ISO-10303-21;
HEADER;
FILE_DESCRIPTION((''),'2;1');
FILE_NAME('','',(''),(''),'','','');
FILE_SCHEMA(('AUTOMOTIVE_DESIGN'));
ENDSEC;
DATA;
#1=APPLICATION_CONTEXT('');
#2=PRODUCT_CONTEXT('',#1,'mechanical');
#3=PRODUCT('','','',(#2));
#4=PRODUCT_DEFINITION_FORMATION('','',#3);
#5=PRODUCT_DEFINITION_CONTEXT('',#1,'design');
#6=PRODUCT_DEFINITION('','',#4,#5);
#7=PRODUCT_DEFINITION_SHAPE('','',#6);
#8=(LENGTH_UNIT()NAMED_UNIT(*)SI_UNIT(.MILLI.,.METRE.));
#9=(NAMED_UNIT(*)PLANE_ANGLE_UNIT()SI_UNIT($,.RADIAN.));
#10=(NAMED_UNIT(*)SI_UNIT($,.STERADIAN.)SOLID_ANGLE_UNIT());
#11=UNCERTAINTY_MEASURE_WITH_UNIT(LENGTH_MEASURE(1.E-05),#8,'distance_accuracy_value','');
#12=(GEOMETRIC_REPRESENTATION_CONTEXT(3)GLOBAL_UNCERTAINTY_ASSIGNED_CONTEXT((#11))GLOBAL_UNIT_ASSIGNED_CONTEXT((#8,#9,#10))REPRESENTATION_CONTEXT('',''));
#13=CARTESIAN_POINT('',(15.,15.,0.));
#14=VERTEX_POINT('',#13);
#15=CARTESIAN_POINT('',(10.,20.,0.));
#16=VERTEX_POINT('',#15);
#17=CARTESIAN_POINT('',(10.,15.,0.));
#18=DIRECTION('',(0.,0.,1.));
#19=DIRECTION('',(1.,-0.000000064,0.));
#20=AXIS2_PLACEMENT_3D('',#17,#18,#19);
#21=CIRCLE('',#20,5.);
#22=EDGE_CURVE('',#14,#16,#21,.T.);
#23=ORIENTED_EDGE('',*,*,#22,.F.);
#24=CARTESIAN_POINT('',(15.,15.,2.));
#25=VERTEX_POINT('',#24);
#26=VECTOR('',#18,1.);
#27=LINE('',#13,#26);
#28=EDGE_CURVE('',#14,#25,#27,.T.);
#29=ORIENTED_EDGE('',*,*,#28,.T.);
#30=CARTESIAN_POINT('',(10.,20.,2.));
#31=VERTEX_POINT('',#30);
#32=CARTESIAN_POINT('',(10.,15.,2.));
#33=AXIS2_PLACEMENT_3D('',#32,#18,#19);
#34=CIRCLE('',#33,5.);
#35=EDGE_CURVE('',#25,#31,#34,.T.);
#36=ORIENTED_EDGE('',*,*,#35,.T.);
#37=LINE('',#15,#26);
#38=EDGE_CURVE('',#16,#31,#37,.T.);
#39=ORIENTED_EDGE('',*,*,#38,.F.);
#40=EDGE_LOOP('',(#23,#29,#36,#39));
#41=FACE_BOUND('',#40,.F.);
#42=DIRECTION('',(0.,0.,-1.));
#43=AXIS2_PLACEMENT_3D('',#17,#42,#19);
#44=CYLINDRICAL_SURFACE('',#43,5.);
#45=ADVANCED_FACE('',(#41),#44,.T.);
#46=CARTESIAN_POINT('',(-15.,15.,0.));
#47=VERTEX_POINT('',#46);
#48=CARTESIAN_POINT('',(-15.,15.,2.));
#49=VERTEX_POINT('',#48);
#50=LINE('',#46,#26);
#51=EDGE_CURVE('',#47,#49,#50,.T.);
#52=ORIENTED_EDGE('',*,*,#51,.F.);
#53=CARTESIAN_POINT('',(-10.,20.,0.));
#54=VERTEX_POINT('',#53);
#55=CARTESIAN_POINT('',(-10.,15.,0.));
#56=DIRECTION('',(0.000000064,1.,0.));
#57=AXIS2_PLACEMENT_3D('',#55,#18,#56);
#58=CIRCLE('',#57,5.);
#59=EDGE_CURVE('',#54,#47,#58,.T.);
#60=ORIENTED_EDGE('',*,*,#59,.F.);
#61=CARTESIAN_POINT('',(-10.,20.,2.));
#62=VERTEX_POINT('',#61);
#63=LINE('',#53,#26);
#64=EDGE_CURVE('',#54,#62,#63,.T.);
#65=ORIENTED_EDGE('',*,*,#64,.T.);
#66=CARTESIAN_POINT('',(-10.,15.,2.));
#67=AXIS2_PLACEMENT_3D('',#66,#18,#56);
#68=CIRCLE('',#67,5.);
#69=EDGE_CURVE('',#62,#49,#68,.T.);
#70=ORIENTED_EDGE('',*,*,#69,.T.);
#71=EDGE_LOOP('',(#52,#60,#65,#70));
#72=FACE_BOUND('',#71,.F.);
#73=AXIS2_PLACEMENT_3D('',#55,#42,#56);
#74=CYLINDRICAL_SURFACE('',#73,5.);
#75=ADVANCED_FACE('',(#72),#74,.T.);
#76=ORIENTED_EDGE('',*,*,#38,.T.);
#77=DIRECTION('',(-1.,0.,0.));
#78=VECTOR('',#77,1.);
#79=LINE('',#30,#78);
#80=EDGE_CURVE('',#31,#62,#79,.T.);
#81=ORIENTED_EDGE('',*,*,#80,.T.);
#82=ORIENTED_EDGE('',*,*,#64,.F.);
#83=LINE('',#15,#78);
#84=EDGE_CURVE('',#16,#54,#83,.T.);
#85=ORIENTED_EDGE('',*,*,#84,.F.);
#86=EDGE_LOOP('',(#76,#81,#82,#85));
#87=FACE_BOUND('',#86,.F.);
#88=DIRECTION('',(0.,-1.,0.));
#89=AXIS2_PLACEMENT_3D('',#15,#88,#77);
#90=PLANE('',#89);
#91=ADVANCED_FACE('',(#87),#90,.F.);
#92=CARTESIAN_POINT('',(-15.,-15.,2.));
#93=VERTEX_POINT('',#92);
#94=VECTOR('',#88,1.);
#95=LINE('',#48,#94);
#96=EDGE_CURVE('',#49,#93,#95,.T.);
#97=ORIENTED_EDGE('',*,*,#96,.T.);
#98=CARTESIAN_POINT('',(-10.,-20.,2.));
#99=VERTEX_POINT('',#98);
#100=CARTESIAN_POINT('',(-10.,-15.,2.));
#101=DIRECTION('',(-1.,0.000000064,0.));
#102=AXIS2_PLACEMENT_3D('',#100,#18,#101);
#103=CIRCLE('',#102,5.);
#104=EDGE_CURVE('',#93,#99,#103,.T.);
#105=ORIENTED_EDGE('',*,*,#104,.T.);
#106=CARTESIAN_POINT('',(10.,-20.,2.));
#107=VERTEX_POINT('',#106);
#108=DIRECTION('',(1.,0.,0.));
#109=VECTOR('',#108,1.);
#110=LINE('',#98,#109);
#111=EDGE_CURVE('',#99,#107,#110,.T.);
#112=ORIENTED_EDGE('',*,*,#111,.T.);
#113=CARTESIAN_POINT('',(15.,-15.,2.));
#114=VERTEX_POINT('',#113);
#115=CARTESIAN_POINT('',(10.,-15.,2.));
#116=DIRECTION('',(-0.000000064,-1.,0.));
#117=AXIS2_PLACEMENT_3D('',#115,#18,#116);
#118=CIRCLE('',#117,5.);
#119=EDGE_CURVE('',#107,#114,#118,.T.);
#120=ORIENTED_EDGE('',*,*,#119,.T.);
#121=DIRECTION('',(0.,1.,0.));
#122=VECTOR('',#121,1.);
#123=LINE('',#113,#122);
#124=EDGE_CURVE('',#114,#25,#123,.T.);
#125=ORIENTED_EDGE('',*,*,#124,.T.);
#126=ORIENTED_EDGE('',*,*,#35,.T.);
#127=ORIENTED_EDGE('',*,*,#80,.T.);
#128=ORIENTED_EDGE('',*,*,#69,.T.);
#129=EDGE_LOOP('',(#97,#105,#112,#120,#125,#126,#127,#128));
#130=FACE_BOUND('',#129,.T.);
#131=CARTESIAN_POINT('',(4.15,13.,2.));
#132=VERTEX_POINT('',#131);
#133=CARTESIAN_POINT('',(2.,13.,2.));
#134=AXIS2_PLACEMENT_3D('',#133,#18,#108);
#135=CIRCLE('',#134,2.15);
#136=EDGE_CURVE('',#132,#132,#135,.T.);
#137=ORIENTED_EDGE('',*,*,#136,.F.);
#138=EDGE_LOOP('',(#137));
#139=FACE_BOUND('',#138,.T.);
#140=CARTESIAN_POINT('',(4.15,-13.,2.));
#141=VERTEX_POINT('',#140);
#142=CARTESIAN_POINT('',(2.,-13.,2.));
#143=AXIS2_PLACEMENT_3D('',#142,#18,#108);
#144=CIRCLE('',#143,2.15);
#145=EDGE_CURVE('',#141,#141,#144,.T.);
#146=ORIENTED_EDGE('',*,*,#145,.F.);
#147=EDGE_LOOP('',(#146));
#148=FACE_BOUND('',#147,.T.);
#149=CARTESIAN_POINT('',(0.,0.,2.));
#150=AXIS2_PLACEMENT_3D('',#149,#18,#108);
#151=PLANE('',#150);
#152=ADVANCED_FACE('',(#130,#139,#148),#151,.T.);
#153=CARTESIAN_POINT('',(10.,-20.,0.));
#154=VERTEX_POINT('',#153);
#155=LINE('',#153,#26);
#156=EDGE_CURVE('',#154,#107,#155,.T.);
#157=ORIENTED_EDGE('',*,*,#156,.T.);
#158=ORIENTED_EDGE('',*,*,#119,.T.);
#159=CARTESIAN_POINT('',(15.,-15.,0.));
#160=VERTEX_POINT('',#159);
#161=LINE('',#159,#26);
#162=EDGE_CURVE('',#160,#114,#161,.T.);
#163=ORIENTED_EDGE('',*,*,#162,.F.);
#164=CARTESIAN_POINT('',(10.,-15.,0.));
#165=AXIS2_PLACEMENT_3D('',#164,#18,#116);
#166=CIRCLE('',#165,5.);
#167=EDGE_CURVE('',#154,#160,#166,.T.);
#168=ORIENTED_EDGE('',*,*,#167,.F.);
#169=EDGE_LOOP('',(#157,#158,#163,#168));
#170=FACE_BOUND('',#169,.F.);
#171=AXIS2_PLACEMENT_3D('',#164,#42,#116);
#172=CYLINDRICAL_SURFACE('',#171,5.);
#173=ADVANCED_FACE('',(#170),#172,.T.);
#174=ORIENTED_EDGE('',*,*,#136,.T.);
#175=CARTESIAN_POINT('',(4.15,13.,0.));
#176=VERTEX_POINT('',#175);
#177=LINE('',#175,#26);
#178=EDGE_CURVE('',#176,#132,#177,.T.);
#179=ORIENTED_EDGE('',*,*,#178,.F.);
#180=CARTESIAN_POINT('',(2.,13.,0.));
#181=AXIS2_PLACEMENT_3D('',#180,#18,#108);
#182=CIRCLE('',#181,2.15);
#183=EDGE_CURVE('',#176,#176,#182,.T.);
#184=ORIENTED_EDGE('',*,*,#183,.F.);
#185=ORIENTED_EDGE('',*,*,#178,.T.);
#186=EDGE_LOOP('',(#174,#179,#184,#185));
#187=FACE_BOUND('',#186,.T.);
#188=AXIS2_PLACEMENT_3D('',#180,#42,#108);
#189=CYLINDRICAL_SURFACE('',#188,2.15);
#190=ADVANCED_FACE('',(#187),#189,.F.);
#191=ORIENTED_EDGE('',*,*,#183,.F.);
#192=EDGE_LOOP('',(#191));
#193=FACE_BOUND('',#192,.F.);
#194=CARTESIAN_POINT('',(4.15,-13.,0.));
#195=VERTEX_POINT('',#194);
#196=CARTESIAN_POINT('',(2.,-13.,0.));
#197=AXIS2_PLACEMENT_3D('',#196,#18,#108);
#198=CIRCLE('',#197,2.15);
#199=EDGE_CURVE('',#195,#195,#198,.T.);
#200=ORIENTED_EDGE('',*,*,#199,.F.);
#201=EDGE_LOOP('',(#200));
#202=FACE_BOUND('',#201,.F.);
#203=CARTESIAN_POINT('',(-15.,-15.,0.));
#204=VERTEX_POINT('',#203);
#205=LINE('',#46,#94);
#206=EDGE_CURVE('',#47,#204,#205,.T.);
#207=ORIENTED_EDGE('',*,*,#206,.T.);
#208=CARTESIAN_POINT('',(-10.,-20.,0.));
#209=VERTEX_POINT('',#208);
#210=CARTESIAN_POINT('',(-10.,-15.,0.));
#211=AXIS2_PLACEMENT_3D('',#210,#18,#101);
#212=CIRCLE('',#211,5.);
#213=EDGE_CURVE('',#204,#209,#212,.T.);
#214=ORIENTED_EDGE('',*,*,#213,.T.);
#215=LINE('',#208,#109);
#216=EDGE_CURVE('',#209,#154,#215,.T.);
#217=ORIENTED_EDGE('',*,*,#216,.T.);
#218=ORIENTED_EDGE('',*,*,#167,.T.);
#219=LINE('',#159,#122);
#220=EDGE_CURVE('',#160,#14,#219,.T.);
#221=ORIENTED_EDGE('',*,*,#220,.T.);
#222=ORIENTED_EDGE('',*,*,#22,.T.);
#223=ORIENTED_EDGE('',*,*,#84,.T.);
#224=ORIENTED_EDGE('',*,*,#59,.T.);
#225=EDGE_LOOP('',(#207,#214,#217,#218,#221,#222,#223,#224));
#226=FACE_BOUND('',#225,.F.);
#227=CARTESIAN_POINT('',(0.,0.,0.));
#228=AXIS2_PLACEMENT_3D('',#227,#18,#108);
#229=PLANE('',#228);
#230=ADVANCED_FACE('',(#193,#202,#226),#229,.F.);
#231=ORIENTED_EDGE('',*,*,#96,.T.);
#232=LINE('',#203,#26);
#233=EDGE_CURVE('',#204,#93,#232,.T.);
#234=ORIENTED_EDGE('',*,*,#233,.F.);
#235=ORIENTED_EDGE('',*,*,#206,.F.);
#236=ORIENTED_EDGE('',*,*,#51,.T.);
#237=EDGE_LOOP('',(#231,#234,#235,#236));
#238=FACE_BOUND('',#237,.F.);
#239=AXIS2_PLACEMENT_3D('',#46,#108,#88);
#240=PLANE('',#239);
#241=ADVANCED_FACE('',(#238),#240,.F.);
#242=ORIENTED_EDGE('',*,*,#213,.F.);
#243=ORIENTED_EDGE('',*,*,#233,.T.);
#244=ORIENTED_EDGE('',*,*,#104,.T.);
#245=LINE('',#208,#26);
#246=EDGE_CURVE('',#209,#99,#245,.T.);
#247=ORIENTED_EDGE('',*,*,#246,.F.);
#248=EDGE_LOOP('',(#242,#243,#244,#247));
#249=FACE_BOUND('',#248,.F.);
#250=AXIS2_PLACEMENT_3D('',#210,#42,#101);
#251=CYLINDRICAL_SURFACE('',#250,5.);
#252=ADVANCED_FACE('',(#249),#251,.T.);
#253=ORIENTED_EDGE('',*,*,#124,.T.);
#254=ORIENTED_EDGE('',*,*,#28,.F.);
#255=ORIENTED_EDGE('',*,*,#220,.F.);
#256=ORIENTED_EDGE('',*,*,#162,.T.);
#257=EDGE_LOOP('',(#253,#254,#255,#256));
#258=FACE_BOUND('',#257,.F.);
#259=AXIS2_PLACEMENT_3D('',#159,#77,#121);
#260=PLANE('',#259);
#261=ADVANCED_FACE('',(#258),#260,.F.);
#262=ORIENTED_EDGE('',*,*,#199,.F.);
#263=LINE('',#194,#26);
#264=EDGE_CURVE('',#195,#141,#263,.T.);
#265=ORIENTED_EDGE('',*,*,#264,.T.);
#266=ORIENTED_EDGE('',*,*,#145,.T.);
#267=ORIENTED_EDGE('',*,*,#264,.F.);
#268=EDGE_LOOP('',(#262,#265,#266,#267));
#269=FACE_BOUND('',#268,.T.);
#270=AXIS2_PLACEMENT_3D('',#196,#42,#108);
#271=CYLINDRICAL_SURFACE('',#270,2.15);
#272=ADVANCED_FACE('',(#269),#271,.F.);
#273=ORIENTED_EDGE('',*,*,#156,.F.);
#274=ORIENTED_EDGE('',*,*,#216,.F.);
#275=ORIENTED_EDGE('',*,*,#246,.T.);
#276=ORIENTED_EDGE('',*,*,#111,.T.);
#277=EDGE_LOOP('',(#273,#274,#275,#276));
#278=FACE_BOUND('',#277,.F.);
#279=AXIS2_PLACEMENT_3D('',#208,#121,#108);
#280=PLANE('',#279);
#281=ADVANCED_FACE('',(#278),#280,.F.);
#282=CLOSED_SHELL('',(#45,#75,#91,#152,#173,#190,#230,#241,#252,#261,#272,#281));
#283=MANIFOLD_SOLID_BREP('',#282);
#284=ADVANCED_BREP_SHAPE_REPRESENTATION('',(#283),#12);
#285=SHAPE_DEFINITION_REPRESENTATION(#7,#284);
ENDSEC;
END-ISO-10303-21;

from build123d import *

# Parameters (mm, degrees)
SKETCH_R  = 2.15
PAD_DEPTH = 2


with BuildPart() as part:
    # Sketch → Pad (new body)
    with BuildSketch(Plane.XY):
        with BuildLine():
            Line((-15, 15), (-15, -15))
            ThreePointArc((-15, -15), (-13.535534, -18.535534), (-10, -20))
            Line((-10, -20), (10, -20))
            ThreePointArc((10, -20), (13.535534, -18.535534), (15, -15))
            Line((15, -15), (15, 15))
            ThreePointArc((15, 15), (13.535534, 18.535534), (10, 20))
            Line((10, 20), (-10, 20))
            ThreePointArc((-10, 20), (-13.535534, 18.535534), (-15, 15))
        make_face()
        with Locations((2, 13)):
            Circle(SKETCH_R, mode=Mode.SUBTRACT)
        with Locations((2, -13)):
            Circle(SKETCH_R, mode=Mode.SUBTRACT)
    extrude(amount=PAD_DEPTH)


solid = part.part
